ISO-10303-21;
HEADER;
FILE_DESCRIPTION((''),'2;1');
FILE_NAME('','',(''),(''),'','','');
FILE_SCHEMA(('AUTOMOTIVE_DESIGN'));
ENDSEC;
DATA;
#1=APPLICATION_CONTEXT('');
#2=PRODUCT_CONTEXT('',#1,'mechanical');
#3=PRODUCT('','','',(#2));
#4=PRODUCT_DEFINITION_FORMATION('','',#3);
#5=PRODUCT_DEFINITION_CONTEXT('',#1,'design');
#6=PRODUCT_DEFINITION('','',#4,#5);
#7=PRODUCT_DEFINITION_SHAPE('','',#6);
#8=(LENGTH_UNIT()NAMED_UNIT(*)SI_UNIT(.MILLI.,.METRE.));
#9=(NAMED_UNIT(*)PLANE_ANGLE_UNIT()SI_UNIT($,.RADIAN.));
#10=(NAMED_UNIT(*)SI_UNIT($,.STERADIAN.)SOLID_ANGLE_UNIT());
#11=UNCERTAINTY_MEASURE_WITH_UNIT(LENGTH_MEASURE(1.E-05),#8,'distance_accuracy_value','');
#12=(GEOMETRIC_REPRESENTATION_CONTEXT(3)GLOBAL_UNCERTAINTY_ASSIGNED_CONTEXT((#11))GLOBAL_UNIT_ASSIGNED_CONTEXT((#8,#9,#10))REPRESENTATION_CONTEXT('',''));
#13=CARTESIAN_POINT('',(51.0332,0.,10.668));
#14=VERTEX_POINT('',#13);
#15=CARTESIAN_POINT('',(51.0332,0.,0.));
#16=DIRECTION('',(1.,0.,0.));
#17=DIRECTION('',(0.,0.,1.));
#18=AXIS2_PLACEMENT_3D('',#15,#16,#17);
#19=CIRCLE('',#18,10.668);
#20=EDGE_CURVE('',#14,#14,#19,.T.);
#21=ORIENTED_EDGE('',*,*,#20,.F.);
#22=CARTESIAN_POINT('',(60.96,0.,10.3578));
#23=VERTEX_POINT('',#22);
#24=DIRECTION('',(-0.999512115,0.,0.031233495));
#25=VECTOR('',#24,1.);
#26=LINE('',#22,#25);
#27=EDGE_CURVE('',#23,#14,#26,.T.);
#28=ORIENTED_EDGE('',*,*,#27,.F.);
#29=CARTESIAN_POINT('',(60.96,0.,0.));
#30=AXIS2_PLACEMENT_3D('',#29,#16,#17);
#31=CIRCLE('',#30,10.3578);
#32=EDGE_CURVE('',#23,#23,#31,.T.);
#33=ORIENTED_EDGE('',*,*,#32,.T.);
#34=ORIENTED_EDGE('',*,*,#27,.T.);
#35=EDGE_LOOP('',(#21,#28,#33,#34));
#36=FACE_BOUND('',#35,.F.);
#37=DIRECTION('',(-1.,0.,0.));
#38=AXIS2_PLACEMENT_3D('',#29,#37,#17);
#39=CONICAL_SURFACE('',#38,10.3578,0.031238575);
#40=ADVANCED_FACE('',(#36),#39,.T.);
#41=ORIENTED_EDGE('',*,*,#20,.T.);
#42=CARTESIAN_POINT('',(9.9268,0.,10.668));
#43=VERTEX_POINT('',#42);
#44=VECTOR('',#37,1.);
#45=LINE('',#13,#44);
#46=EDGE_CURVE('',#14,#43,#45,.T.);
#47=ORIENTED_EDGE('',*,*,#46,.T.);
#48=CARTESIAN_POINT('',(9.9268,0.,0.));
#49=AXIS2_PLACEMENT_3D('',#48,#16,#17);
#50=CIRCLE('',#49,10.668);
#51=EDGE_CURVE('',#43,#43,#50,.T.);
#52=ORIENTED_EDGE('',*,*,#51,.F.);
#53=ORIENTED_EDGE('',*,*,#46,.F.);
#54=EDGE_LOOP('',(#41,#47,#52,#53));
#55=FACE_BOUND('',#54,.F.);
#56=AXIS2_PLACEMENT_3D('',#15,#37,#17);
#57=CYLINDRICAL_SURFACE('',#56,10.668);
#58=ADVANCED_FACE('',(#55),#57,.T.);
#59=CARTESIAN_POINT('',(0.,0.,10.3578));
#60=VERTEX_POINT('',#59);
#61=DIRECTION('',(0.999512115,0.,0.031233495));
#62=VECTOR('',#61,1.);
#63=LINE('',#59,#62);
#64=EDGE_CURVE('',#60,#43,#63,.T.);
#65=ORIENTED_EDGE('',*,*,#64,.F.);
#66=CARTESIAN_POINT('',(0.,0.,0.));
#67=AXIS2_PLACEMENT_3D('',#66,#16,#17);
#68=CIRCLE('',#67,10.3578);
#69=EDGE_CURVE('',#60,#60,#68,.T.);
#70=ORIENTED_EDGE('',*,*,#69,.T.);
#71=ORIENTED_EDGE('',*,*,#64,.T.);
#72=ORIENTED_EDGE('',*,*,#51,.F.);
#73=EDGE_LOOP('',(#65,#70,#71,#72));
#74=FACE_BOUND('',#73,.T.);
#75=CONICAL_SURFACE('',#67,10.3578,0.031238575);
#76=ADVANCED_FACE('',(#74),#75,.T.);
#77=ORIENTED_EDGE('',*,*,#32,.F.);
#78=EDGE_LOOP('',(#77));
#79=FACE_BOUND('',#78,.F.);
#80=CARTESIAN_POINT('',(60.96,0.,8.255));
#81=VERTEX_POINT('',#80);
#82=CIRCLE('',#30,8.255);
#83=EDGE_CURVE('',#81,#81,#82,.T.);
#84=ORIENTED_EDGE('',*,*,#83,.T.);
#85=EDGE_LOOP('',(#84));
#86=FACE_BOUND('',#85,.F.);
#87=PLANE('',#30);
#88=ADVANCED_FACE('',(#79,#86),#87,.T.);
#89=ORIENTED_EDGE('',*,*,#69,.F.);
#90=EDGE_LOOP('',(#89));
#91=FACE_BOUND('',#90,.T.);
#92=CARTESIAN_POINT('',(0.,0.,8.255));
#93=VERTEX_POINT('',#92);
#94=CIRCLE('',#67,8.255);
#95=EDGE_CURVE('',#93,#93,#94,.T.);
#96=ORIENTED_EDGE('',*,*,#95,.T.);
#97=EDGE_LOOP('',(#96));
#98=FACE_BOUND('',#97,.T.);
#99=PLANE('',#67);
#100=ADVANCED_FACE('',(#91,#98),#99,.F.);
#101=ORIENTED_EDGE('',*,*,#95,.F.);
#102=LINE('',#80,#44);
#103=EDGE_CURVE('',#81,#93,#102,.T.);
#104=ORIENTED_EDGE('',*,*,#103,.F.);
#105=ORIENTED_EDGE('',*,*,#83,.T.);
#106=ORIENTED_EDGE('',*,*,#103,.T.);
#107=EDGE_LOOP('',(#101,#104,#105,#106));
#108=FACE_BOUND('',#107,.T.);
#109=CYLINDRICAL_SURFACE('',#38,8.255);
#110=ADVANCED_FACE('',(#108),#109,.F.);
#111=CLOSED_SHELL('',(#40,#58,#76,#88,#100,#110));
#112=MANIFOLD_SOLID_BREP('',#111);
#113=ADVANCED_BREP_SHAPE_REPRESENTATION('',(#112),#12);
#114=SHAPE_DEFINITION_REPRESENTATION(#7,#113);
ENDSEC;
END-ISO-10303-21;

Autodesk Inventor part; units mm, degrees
ref_plane "YZ Plane" through (0, 0, 0) normal (1, 0, 0) x (0, 1, 0)
ref_plane "XZ Plane" through (0, 0, 0) normal (0, 1, 0) x (-1, 0, 0)
ref_plane "XY Plane" through (0, 0, 0) normal (0, 0, 1) x (1, 0, 0)
sketch "Sketch1" plane through (0, 0, 0) normal (0, 1, 0) x (-1, 0, 0)
  line L0 (0, 0) -> (-60.96, 0)
  line L1 (-60.96, 0) -> (-60.96, 8.255) construction
  line L2 (-60.96, 8.255) -> (-60.96, 10.3578)
  line L3 (-60.96, 10.3578) -> (-51.0332, 10.668)
  line L4 (-51.0332, 10.668) -> (-9.9268, 10.668)
  line L5 (-30.48, 0) -> (-30.48, 10.668) construction
  line L6 (-60.96, 8.255) -> (0, 8.255)
  line L7 (0, 0) -> (0, 8.255) construction
  line L8 (0, 8.255) -> (0, 10.3578)
  line L9 (0, 10.3578) -> (-9.9268, 10.668)
  line L10 (-47.404, 10.7814) -> (-47.404, 0) construction
  line L11 (-13.556, 10.7814) -> (-13.556, 0) construction
  line L12 (-51.0332, 10.668) -> (-47.404, 10.7814) construction
  line L13 (-51.0332, 10.668) -> (-51.0332, 0) construction
  line L14 (-9.9268, 10.668) -> (-13.556, 10.7814) construction
  line L15 (-9.9268, 10.668) -> (-9.9268, 0) construction
  dimension "d0" = 21.336
  dimension "d1" = 1.79
  dimension "d2" = 16.51
  dimension "d3" = 60.96
  dimension "d4" = 13.556
  dimension "d5" = 21.5628
revolve "Revolution1" add sketch "Sketch1" angle 360 about axis through (0, 0, 0) along (1, 0, 0)
thread "Thread1" size "1/2" designation "1/2 - 14 NPT" standard "NPT" full length
thread "Thread2" size "1/2" designation "1/2 - 14 NPT" standard "NPT" full length
equation "\"d0\" = OD"
equation "\"d2\" = ID"
equation "\"d3\" = L"
equation "\"d4\" = L2"
equation "\"d5\" = D2"
equation "\"OD\" = 21.336"
equation "\"t\" = 2.413"
equation "\"L\" = PL"
equation "\"L4\" = 19.8501"
equation "\"ID\" = 16.51"
equation "\"PL\" = 60.96"
equation "\"D2\" = 21.56282"
equation "\"L2\" = 13.55598"
equation "\"Size_Designation\" = 1.2345"
equation "\"PLmin\" = 2 * L2"
properties material "Steel, Wrought"
